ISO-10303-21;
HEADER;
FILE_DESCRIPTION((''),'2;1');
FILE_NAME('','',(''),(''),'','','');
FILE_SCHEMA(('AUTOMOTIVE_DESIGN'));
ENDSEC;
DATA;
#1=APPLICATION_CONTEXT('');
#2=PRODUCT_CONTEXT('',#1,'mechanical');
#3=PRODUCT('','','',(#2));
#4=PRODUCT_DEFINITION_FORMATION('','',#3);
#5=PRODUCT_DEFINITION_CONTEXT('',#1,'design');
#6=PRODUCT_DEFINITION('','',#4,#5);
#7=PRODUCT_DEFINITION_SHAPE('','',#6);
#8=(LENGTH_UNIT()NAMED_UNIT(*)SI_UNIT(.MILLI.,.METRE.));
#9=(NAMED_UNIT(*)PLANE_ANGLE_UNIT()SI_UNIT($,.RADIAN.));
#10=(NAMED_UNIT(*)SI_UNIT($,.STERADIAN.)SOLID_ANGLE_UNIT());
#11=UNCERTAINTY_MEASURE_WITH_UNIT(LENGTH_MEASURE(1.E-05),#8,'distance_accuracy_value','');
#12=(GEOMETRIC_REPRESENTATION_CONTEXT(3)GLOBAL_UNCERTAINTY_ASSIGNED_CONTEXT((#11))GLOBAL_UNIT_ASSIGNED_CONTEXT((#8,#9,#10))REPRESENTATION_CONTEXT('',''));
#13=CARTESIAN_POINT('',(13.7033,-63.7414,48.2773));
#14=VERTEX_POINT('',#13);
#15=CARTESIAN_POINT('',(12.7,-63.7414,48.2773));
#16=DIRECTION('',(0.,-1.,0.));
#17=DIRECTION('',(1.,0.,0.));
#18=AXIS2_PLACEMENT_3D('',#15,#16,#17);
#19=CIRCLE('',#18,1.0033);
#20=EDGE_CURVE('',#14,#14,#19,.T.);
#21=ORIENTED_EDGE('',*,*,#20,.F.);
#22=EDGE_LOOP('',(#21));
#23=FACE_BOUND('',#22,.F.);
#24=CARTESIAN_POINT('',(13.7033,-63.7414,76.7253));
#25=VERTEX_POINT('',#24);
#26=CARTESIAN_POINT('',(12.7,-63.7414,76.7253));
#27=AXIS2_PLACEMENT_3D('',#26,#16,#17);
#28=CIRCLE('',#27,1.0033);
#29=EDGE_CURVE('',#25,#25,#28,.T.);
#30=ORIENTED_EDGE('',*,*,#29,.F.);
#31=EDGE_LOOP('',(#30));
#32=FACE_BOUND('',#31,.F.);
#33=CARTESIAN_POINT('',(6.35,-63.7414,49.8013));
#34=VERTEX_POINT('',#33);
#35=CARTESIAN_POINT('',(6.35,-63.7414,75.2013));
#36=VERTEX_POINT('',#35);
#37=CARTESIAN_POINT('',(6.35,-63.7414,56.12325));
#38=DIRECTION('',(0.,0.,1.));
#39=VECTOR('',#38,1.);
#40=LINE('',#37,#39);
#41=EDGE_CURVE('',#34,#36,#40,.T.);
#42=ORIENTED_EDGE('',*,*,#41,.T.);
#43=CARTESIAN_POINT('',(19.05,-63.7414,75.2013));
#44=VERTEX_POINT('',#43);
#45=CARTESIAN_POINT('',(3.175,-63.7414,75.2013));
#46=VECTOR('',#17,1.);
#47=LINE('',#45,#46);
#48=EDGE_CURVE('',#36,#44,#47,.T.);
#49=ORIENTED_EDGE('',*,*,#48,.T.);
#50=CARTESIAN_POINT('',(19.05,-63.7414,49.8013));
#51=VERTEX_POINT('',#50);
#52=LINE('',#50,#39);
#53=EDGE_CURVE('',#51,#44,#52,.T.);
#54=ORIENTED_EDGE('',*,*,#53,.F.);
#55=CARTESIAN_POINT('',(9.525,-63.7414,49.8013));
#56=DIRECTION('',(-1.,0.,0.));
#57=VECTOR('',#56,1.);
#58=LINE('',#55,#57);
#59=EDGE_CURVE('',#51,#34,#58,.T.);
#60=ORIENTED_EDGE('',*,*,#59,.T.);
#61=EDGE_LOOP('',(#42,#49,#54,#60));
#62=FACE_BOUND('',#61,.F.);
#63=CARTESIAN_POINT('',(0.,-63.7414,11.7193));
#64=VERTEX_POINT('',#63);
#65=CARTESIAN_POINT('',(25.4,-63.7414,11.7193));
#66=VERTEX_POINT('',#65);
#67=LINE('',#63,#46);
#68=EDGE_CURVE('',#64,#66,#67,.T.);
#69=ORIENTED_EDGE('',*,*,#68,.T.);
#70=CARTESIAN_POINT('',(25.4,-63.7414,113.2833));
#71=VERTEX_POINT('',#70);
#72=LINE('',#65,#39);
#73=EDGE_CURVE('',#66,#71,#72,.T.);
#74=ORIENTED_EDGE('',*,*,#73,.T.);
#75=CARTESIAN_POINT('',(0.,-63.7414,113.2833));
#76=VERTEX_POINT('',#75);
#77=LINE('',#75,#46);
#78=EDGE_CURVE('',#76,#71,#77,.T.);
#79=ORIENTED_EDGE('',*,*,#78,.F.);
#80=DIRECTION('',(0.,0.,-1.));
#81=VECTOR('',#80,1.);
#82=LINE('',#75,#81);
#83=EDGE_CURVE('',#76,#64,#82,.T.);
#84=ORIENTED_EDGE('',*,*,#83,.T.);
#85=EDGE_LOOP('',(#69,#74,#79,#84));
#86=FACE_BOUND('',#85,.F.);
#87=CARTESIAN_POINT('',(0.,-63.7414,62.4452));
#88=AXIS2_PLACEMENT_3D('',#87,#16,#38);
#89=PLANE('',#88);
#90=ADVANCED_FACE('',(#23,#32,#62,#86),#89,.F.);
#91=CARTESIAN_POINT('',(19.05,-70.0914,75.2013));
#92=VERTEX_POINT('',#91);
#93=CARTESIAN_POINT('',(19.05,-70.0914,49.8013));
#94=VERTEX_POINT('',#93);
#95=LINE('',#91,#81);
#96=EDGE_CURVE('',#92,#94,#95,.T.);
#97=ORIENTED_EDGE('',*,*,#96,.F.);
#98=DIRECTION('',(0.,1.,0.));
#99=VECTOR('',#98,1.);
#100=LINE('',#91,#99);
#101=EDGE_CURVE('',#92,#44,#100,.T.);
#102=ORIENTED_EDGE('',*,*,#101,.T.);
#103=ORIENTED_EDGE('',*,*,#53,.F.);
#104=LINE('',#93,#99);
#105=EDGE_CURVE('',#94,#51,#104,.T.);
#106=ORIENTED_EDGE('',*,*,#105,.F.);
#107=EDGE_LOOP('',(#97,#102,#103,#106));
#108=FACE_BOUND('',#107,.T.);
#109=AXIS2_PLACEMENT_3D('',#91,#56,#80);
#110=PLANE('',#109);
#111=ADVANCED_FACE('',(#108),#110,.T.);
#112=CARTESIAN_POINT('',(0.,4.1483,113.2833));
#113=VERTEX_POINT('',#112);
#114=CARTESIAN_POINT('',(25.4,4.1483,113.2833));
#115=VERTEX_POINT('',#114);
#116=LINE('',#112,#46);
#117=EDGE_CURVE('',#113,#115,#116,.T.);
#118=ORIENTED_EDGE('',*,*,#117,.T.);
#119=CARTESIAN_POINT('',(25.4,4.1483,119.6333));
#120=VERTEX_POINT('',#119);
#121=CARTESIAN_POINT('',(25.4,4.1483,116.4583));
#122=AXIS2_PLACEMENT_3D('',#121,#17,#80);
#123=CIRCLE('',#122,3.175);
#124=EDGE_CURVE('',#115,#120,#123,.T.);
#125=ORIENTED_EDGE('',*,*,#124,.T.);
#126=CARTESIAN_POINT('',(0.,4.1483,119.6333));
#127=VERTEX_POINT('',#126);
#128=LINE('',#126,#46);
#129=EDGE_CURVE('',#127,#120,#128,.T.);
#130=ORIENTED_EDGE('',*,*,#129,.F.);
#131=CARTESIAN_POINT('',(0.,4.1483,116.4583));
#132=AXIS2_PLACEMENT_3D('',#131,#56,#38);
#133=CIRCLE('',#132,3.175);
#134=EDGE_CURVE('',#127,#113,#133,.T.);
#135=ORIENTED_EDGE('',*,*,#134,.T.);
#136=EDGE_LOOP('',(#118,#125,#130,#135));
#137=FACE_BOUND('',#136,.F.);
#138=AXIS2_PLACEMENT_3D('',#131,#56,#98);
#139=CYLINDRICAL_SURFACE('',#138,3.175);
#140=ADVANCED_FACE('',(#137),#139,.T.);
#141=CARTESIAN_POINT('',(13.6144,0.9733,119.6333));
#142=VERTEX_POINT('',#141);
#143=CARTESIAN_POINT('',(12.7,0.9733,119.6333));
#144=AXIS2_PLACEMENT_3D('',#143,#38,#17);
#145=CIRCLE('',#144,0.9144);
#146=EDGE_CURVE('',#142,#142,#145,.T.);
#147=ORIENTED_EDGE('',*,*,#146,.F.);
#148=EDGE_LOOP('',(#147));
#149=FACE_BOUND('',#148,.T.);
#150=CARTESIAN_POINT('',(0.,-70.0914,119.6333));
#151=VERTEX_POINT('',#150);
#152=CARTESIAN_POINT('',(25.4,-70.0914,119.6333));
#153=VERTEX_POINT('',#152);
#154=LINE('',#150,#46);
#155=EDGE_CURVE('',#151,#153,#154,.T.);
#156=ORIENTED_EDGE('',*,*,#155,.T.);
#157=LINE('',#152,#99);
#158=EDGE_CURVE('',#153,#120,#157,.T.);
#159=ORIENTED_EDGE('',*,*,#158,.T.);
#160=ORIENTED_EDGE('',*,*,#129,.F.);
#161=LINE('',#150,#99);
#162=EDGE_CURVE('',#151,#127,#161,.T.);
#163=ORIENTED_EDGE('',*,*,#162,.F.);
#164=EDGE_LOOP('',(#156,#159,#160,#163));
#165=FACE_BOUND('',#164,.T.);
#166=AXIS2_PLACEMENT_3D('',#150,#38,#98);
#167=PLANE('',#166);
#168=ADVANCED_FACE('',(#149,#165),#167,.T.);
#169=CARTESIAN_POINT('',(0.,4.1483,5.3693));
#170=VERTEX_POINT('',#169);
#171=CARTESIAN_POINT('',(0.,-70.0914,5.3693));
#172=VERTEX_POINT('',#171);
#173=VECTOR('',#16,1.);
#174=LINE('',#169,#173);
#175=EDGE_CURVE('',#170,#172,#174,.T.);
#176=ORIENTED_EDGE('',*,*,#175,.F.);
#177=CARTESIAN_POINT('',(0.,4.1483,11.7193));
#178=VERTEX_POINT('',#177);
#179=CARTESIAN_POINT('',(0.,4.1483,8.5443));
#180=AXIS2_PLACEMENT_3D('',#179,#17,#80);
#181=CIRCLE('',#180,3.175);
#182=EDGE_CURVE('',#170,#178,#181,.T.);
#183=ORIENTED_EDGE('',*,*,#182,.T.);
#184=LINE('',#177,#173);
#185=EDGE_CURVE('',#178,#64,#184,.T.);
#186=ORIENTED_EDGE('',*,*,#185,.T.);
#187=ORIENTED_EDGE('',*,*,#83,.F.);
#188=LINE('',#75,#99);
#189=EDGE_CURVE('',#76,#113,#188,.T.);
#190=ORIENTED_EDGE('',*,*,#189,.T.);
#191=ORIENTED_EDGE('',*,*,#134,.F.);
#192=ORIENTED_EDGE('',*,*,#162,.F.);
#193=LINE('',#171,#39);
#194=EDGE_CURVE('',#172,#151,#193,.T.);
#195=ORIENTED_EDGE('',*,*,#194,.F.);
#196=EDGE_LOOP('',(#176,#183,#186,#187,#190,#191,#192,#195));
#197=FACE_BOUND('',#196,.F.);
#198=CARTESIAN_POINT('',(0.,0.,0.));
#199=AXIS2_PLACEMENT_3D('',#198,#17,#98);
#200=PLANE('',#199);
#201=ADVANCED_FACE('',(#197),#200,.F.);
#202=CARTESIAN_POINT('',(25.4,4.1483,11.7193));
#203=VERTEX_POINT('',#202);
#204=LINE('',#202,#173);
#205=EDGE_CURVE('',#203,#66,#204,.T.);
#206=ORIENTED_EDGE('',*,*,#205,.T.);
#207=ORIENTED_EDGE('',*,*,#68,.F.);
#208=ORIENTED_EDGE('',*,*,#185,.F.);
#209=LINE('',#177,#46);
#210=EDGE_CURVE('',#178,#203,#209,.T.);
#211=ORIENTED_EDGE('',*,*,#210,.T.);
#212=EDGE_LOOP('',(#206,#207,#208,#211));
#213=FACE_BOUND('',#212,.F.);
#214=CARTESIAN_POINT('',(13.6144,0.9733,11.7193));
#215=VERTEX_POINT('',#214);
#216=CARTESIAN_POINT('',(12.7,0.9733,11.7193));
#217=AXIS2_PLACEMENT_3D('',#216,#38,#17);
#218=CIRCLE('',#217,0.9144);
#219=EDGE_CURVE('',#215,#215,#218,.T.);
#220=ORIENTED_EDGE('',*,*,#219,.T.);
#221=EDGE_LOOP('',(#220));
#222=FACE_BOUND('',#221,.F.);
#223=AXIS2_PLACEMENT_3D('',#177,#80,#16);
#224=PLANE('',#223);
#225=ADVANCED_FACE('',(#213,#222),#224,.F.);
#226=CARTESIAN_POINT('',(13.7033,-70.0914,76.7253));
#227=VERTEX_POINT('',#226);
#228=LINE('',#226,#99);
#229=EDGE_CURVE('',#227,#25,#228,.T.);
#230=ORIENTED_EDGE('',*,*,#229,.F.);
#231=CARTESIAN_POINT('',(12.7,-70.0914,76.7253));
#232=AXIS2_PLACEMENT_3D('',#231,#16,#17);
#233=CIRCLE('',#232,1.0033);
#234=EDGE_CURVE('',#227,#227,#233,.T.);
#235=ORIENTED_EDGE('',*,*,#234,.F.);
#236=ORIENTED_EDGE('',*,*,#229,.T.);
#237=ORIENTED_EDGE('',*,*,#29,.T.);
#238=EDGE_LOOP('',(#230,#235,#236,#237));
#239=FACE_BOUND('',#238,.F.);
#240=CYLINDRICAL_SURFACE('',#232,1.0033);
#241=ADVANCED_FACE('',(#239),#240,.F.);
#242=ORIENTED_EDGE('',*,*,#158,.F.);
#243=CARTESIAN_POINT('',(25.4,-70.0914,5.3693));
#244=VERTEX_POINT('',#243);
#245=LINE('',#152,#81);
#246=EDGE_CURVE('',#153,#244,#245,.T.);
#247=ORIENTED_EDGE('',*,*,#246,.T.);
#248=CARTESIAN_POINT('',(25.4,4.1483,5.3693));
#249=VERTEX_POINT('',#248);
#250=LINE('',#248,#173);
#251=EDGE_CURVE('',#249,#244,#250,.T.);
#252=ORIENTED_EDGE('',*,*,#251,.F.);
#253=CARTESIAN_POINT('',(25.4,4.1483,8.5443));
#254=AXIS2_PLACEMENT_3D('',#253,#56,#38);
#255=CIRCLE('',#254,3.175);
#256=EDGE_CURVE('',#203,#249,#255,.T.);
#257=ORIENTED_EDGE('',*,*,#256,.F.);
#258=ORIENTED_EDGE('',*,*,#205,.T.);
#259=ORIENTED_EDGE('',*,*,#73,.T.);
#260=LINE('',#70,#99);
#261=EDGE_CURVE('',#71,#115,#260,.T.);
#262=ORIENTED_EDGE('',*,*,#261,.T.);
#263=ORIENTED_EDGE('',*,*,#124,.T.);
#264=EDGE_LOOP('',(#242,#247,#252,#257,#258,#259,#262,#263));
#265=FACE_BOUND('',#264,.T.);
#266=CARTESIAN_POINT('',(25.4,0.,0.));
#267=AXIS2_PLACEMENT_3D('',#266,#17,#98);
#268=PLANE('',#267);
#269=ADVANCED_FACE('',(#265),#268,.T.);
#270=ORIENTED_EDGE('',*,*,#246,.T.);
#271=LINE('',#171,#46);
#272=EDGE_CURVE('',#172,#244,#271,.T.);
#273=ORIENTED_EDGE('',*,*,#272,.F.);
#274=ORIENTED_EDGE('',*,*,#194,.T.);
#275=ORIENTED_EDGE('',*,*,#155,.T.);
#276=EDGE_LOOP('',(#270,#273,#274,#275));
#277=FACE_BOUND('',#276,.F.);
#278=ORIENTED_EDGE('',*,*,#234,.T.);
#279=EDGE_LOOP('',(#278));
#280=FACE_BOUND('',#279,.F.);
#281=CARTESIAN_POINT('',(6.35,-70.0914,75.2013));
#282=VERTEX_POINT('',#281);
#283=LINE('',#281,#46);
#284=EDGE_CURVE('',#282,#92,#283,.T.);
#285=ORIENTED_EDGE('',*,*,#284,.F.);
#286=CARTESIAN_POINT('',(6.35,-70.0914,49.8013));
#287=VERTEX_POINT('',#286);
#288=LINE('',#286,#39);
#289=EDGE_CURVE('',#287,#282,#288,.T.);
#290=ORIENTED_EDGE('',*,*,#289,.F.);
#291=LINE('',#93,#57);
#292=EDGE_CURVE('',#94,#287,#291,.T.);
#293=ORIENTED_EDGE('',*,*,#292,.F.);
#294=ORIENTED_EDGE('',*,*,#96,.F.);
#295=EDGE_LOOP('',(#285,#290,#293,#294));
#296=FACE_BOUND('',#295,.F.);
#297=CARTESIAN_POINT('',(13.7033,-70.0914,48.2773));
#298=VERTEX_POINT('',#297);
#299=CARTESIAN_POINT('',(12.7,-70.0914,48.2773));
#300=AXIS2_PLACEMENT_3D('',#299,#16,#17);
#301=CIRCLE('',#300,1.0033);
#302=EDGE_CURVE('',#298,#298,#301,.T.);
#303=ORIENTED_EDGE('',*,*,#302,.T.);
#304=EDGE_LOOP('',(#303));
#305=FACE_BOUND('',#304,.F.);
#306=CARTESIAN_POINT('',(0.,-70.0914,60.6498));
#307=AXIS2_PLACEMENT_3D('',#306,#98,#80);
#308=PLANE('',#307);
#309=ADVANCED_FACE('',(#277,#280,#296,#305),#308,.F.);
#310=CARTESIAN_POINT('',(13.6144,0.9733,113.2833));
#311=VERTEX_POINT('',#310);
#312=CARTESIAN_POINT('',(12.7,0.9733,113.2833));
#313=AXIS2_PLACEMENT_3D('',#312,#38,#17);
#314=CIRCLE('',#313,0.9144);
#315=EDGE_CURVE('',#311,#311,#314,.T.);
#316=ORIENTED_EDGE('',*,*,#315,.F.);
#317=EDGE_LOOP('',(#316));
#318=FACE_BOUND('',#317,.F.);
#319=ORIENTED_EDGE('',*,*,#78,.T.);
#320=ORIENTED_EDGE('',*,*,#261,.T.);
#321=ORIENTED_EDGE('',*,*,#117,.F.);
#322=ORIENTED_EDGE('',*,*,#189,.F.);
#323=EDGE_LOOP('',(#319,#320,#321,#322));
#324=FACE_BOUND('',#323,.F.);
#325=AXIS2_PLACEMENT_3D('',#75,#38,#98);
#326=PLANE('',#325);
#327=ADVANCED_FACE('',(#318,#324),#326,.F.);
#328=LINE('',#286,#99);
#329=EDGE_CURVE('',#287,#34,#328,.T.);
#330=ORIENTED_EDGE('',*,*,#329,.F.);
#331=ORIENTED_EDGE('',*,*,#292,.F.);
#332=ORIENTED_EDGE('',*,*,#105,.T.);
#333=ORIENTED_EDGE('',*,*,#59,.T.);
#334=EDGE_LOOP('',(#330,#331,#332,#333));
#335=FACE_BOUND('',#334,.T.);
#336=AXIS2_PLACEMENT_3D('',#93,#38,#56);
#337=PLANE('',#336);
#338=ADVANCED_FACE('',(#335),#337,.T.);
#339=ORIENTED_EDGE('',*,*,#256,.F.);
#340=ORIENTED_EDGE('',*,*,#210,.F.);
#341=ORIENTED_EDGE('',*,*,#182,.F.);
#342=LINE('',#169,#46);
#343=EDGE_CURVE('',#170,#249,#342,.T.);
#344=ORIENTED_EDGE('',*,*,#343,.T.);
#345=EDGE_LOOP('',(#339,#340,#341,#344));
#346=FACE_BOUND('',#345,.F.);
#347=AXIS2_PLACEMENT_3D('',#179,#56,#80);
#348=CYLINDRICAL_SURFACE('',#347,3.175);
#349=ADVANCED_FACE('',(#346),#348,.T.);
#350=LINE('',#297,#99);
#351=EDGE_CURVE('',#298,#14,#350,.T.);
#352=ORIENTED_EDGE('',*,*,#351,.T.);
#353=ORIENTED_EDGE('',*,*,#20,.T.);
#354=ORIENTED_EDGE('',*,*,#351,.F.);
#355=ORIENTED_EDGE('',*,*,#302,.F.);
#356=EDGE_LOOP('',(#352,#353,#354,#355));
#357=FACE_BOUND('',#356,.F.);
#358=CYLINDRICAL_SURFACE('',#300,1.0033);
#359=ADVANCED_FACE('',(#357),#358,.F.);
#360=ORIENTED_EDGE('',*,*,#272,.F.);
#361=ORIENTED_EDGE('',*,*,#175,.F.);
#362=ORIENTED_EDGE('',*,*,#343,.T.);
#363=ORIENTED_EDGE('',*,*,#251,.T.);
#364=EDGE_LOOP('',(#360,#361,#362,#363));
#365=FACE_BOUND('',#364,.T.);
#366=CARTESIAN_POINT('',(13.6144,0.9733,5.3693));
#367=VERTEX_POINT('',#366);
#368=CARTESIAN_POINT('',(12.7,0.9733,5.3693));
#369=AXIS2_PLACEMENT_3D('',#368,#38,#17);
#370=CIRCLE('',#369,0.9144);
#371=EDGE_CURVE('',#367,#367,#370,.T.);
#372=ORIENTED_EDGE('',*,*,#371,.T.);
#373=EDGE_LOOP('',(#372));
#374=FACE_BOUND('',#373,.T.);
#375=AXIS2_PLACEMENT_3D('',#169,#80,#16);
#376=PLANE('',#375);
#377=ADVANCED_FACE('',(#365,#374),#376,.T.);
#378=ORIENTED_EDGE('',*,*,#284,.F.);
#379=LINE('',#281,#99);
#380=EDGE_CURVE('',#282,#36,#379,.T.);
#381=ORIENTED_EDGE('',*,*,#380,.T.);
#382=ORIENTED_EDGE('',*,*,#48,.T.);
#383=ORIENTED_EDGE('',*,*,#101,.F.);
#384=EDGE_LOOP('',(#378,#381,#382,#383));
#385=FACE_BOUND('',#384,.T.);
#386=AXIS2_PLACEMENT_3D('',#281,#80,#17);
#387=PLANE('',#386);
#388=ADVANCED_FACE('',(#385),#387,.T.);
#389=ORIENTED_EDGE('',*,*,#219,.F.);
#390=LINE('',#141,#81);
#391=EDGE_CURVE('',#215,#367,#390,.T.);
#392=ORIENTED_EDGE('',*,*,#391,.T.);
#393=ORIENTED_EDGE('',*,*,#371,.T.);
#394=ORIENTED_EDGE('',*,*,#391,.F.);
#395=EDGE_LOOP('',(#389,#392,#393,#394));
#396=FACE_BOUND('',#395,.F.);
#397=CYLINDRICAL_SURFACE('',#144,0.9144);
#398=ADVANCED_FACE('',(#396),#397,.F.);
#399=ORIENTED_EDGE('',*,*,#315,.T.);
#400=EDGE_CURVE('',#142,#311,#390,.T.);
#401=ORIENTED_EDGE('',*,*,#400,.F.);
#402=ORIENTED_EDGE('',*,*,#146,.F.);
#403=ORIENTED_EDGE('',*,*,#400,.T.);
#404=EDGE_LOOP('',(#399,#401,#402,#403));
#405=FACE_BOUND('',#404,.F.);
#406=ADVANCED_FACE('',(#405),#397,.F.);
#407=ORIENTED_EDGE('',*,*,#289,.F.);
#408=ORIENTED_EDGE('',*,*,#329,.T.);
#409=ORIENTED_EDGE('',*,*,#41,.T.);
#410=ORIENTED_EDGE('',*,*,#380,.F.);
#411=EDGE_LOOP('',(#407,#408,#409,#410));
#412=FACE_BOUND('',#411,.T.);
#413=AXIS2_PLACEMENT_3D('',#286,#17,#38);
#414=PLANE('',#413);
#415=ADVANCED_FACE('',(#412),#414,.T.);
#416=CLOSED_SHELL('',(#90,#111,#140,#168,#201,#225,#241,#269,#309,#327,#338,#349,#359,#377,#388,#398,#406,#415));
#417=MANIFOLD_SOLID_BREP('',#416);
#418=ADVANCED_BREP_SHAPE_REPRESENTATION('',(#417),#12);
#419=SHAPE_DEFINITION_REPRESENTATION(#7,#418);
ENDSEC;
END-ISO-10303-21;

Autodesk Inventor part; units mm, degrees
ref_plane "YZ Plane" through (0, 0, 0) normal (1, 0, 0) x (0, 1, 0)
ref_plane "XZ Plane" through (0, 0, 0) normal (0, 1, 0) x (-1, 0, 0)
ref_plane "XY Plane" through (0, 0, 0) normal (0, 0, 1) x (1, 0, 0)
sketch "Sketch1" plane through (0, 0, 0) normal (1, 0, 0) x (0, 1, 0)
  point P0 (0, 0)
sketch "Sketch2" plane through (0, 0, 0) normal (1, 0, 0) x (0, 1, 0)
  line L0 (7.3233, 8.5443) -> (7.3233, 8.5443)
  line L1 (4.1483, 5.3693) -> (-70.0914, 5.3693)
  line L2 (4.1483, 11.7193) -> (-63.7414, 11.7193)
  line L3 (-70.0914, 60.6498) -> (-70.0914, 5.3693)
  line L4 (7.3233, 103.7583) -> (7.3233, 103.7583)
  line L5 (-63.7414, 62.4452) -> (-63.7414, 11.7193)
  arc A0 (7.3233, 8.5443) -> (4.1483, 11.7193) centre (4.1483, 8.5443) ccw
  arc A1 (4.1483, 5.3693) -> (7.3233, 8.5443) centre (4.1483, 8.5443) ccw
  line L6 (-70.0914, 60.6498) -> (-70.0914, 119.6333)
  line L7 (-70.0914, 119.6333) -> (4.1483, 119.6333)
  line L8 (-63.7414, 62.4452) -> (-63.7414, 113.2833)
  line L9 (-63.7414, 113.2833) -> (13.8631, 113.2833)
  line L10 (4.1483, 119.6333) -> (4.1483, 119.6333)
  line L11 (7.3233, 116.4583) -> (7.3233, 116.4583)
  arc A2 (7.3233, 116.4583) -> (4.1483, 119.6333) centre (4.1483, 116.4583) ccw
  arc A3 (4.1483, 113.2833) -> (7.3233, 116.4583) centre (4.1483, 116.4583) ccw
  point P0 (0, 0)
  point P1 (7.3233, 11.7193)
  point P2 (7.3233, 5.3693)
  point P3 (7.3233, 106.9333)
  point P4 (7.3233, 100.5833)
  point P5 (7.3233, 8.5443)
  point P6 (7.3233, 119.6333)
  point P7 (4.1483, 113.2833)
  point P8 (4.1483, 119.6333)
  dimension "d0" = 6.35
  dimension "d35" = 3.175
  dimension "d36" = 3.175
  dimension "d42" = 6.35
  dimension "d43" = 6.35
extrude "Extrusion1" add sketch "Sketch2" along normal blind 25.4
sketch "Sketch4" plane through (0, -70.0914, 5.3693) normal (0, -1, 0) x (1, 0, 0)
  line L0 (0, 0) -> (25.4, 0) projected
  line L1 (25.4, 114.264) -> (25.4, 0) projected
  line L2 (25.4, 57.132) -> (12.7, 57.132)
  line L3 (19.05, 44.432) -> (6.35, 44.432)
  line L4 (6.35, 44.432) -> (6.35, 69.832)
  line L5 (6.35, 69.832) -> (19.05, 69.832)
  line L6 (19.05, 69.832) -> (19.05, 44.432)
  line L7 (19.05, 44.432) -> (6.35, 69.832) construction
  line L8 (6.35, 44.432) -> (19.05, 69.832) construction
  point P0 (0, -5.3693)
  point P1 (25.4, 101.6762)
  dimension "d48" = 12.7
  dimension "d49" = 25.4
sketch "Sketch6" plane through (0, -70.0914, 119.6333) normal (0, 0, 1) x (1, 0, 0)
  line L0 (0, 77.4147) -> (25.4, 77.4147) projected
  line L1 (0, 77.4147) -> (25.4, 77.4147) projected
  circle A0 centre (12.7, 71.0647) radius 0.9144
  point P0 (0, 70.0914)
  dimension "d45" = 1.8288
extrude "Extrusion6" cut sketch "Sketch6" against normal through all
extrude "Extrusion7" cut sketch "Sketch4" against normal through all
sketch "Sketch7" plane through (0, -70.0914, 5.3693) normal (0, -1, 0) x (1, 0, 0)
  line L0 (19.05, 69.832) -> (6.35, 69.832) projected
  line L1 (6.35, 44.432) -> (19.05, 44.432) projected
  circle A0 centre (12.7, 71.356) radius 1.0033
  circle A1 centre (12.7, 42.908) radius 1.0033
  point P0 (0, -5.3693)
  dimension "d55" = 2.0066
extrude "Extrusion8" cut sketch "Sketch7" against normal through all
properties part number "1st Servo Holder"
